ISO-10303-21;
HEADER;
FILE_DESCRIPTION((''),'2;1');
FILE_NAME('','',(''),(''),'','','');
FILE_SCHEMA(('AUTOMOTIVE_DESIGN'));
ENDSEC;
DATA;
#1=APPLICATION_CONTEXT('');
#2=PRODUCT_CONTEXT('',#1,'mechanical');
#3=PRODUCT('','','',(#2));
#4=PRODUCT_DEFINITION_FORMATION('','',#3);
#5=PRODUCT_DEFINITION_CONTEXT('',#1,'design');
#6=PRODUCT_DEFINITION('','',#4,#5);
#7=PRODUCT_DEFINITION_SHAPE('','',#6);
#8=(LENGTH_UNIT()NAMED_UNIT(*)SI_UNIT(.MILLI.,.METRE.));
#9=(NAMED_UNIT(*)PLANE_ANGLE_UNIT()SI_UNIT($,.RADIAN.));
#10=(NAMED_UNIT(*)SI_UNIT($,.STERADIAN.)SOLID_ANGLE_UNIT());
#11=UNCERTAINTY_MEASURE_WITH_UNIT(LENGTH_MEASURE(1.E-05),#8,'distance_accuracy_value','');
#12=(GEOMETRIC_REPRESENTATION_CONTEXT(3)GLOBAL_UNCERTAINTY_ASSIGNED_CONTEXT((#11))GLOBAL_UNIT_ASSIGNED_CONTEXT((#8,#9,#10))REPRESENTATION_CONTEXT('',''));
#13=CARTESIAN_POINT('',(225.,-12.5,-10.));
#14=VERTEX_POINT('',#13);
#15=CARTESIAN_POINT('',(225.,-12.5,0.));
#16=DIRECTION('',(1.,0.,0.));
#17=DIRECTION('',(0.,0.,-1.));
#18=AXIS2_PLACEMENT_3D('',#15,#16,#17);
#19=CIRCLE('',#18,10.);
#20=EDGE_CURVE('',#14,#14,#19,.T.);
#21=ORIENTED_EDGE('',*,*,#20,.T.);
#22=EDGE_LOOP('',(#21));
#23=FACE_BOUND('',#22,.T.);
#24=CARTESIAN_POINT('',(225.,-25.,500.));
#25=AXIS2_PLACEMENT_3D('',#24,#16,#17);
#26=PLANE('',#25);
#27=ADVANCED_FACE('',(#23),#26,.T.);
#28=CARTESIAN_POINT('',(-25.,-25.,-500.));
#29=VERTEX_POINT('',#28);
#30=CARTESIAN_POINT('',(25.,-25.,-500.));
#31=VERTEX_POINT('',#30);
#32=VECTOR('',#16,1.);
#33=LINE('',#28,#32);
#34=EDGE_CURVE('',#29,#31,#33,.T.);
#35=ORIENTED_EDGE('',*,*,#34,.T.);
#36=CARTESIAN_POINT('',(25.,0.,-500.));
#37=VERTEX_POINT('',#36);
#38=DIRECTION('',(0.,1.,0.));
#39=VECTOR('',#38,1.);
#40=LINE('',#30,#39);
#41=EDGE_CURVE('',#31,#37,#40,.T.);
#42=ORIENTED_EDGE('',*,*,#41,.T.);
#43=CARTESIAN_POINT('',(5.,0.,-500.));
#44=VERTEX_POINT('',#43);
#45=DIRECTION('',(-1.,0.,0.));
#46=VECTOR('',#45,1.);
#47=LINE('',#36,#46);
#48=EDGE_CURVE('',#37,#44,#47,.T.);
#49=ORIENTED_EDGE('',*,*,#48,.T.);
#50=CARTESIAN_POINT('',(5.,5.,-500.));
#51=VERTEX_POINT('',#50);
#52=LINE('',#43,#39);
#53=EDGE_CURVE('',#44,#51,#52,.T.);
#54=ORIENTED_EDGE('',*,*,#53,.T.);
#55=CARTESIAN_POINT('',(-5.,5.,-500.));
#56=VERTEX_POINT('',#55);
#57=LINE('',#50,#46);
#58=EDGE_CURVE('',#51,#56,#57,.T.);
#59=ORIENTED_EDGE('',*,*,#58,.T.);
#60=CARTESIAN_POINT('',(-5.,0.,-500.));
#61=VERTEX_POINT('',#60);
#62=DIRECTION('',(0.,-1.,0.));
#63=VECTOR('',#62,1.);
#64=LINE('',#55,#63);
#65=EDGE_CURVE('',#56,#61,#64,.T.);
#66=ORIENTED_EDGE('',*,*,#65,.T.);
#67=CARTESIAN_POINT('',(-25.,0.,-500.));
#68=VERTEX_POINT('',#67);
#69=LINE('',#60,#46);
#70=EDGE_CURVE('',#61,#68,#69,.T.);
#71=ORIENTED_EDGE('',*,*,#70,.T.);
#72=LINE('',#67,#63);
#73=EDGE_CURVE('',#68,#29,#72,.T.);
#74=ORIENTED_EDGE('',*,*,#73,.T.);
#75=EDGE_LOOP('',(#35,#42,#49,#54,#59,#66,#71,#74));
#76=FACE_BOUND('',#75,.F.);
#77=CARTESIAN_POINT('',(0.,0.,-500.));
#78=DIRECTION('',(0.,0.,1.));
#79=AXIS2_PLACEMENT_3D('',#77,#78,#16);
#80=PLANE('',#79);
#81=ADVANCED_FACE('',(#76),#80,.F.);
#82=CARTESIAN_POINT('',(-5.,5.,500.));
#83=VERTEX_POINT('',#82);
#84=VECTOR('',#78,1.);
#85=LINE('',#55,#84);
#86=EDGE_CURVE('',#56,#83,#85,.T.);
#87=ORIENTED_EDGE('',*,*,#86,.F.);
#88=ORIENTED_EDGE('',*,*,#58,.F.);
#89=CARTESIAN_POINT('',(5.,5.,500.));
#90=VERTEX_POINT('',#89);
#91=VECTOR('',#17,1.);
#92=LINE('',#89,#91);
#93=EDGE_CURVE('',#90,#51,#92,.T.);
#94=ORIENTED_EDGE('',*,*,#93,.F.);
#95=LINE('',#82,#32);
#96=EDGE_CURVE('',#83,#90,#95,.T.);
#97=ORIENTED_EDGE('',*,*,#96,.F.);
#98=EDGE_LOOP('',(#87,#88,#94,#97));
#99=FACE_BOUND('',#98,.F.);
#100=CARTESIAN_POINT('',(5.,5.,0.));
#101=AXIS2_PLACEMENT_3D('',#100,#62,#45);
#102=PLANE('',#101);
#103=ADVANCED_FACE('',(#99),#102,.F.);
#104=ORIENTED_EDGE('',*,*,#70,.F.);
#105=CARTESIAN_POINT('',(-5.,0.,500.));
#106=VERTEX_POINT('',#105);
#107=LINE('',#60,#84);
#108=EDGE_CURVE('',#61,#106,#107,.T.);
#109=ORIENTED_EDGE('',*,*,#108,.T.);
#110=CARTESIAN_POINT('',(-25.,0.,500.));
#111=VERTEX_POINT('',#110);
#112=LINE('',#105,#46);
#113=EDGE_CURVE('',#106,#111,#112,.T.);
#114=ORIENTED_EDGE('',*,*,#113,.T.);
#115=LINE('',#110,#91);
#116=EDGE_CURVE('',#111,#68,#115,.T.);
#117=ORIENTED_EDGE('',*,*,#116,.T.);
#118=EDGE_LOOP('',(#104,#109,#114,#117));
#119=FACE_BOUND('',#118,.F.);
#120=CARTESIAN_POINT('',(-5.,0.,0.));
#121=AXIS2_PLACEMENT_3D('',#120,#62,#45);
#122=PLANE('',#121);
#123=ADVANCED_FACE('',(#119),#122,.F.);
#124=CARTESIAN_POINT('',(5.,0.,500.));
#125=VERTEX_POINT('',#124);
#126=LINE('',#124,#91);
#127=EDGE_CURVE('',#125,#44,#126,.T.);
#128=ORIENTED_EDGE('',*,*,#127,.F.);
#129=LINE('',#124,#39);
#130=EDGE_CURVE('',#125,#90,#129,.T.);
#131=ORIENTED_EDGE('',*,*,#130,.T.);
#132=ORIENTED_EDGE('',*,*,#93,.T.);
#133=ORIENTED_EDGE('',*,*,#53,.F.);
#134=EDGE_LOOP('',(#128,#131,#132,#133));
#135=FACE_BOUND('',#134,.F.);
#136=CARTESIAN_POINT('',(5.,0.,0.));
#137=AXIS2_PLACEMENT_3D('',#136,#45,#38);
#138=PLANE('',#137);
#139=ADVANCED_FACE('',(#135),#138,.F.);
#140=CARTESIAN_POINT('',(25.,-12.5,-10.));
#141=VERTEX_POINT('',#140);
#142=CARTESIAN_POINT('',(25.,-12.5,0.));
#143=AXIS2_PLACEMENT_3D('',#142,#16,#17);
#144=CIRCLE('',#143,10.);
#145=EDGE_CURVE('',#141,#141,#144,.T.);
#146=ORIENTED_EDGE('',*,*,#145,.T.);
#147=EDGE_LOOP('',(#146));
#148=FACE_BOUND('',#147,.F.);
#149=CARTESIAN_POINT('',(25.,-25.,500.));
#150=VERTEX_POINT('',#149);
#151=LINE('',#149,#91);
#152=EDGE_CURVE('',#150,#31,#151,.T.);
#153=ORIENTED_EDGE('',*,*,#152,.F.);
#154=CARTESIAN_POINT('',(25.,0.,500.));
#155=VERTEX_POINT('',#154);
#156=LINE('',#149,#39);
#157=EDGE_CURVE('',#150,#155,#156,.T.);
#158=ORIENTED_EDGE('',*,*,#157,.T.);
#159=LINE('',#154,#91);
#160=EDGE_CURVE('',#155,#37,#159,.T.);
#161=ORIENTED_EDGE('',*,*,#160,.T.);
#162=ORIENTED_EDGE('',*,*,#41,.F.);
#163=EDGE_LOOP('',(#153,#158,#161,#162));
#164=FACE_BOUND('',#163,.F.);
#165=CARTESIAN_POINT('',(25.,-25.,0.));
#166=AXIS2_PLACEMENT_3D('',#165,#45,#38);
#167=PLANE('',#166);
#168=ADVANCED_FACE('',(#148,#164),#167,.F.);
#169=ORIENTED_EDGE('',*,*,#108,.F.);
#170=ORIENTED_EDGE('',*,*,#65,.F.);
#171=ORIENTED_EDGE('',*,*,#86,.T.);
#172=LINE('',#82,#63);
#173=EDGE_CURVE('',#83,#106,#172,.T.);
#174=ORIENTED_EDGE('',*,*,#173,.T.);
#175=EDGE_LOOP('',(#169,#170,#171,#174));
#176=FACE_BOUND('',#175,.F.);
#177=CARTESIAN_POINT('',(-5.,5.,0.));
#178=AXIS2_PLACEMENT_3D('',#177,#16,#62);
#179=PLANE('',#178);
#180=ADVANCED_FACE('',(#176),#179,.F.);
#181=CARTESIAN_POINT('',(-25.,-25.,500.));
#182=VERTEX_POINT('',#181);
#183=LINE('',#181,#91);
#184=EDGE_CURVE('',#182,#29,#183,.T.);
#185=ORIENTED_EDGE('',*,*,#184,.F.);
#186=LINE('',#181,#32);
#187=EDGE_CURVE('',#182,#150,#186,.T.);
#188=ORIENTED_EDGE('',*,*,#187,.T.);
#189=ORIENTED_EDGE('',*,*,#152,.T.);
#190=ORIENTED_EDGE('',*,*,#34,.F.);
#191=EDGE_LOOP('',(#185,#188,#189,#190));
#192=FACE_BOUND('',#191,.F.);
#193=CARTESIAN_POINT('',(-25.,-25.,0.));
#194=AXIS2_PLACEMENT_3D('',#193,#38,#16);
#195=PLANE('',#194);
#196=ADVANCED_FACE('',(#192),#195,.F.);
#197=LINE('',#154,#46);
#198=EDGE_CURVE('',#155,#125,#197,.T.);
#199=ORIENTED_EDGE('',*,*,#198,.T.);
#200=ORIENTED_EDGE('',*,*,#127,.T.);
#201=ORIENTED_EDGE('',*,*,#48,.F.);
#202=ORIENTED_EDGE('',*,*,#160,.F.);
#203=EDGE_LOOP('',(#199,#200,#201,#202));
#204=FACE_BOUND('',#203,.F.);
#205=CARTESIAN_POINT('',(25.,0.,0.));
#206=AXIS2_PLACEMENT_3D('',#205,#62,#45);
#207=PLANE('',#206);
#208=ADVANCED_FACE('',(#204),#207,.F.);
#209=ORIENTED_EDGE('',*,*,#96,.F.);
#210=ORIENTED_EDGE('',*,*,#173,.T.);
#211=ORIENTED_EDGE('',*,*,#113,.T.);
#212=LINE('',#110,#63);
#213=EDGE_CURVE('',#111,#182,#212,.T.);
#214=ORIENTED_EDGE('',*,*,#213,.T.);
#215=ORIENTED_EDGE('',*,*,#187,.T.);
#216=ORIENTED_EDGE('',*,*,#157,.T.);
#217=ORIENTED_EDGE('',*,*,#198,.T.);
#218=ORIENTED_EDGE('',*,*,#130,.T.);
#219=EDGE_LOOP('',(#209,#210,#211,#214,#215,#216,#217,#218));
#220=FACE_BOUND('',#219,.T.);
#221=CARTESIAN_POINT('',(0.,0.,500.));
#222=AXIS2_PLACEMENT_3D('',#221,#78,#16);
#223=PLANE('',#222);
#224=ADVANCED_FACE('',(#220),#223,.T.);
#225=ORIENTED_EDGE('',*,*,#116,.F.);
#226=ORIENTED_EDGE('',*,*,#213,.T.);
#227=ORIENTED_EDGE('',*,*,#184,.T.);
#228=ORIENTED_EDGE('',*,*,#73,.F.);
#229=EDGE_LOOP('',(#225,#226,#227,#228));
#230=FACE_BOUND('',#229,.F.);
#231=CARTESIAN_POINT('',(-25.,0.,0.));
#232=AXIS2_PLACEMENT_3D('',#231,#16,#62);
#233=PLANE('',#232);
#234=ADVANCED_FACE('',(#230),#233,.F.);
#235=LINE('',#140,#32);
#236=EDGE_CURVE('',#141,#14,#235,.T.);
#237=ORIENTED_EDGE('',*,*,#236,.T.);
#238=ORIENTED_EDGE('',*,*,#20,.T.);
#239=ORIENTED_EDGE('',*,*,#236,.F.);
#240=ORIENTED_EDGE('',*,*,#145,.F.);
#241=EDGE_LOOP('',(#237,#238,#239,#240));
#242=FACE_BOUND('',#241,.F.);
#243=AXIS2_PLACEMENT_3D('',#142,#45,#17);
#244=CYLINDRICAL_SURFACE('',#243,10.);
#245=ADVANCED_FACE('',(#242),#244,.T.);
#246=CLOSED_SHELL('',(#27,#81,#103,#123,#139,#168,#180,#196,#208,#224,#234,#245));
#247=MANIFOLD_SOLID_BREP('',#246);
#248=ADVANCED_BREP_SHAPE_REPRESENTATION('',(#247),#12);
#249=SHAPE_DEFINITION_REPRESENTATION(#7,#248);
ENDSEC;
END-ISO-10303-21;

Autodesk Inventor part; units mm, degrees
ref_plane "YZ Plane" through (0, 0, 0) normal (1, 0, 0) x (0, 1, 0)
ref_plane "XZ Plane" through (0, 0, 0) normal (0, 1, 0) x (-1, 0, 0)
ref_plane "XY Plane" through (0, 0, 0) normal (0, 0, 1) x (1, 0, 0)
sketch "Sketch1" plane through (0, 0, 0) normal (0, 0, 1) x (1, 0, 0)
  line L0 (0, 5) -> (-5, 5)
  line L1 (-5, 5) -> (-5, 0)
  line L2 (-5, 0) -> (-25, 0)
  line L3 (-25, 0) -> (-25, -25)
  line L4 (-25, -25) -> (25, -25)
  line L5 (25, -25) -> (25, 0)
  line L6 (25, 0) -> (5, 0)
  line L7 (5, 0) -> (5, 5)
  line L8 (5, 5) -> (0, 5)
  point P0 (0, 0)
  dimension "d0" = 5
  dimension "d1" = 5
  dimension "d2" = 5
  dimension "d3" = 5
  dimension "d4" = 50
  dimension "d5" = 25
  dimension "d6" = 25
  dimension "d7" = 20
  dimension "d8" = 5
extrude "Extrusion1" add sketch "Sketch1" along normal mid plane 1000
sketch "Sketch2" plane through (25, -25, 500) normal (1, 0, 0) x (0, 0, -1)
  circle A0 centre (500, 12.5) radius 10
  line L0 (1000, 0) -> (0, 0) projected
  line L1 (0, 0) -> (0, 25) projected
  point P0 (500, 25)
  dimension "d11" = 20
  dimension "d12" = 12.5
  dimension "d13" = 500
extrude "Extrusion2" add sketch "Sketch2" along normal blind 200
properties part number "peam"
